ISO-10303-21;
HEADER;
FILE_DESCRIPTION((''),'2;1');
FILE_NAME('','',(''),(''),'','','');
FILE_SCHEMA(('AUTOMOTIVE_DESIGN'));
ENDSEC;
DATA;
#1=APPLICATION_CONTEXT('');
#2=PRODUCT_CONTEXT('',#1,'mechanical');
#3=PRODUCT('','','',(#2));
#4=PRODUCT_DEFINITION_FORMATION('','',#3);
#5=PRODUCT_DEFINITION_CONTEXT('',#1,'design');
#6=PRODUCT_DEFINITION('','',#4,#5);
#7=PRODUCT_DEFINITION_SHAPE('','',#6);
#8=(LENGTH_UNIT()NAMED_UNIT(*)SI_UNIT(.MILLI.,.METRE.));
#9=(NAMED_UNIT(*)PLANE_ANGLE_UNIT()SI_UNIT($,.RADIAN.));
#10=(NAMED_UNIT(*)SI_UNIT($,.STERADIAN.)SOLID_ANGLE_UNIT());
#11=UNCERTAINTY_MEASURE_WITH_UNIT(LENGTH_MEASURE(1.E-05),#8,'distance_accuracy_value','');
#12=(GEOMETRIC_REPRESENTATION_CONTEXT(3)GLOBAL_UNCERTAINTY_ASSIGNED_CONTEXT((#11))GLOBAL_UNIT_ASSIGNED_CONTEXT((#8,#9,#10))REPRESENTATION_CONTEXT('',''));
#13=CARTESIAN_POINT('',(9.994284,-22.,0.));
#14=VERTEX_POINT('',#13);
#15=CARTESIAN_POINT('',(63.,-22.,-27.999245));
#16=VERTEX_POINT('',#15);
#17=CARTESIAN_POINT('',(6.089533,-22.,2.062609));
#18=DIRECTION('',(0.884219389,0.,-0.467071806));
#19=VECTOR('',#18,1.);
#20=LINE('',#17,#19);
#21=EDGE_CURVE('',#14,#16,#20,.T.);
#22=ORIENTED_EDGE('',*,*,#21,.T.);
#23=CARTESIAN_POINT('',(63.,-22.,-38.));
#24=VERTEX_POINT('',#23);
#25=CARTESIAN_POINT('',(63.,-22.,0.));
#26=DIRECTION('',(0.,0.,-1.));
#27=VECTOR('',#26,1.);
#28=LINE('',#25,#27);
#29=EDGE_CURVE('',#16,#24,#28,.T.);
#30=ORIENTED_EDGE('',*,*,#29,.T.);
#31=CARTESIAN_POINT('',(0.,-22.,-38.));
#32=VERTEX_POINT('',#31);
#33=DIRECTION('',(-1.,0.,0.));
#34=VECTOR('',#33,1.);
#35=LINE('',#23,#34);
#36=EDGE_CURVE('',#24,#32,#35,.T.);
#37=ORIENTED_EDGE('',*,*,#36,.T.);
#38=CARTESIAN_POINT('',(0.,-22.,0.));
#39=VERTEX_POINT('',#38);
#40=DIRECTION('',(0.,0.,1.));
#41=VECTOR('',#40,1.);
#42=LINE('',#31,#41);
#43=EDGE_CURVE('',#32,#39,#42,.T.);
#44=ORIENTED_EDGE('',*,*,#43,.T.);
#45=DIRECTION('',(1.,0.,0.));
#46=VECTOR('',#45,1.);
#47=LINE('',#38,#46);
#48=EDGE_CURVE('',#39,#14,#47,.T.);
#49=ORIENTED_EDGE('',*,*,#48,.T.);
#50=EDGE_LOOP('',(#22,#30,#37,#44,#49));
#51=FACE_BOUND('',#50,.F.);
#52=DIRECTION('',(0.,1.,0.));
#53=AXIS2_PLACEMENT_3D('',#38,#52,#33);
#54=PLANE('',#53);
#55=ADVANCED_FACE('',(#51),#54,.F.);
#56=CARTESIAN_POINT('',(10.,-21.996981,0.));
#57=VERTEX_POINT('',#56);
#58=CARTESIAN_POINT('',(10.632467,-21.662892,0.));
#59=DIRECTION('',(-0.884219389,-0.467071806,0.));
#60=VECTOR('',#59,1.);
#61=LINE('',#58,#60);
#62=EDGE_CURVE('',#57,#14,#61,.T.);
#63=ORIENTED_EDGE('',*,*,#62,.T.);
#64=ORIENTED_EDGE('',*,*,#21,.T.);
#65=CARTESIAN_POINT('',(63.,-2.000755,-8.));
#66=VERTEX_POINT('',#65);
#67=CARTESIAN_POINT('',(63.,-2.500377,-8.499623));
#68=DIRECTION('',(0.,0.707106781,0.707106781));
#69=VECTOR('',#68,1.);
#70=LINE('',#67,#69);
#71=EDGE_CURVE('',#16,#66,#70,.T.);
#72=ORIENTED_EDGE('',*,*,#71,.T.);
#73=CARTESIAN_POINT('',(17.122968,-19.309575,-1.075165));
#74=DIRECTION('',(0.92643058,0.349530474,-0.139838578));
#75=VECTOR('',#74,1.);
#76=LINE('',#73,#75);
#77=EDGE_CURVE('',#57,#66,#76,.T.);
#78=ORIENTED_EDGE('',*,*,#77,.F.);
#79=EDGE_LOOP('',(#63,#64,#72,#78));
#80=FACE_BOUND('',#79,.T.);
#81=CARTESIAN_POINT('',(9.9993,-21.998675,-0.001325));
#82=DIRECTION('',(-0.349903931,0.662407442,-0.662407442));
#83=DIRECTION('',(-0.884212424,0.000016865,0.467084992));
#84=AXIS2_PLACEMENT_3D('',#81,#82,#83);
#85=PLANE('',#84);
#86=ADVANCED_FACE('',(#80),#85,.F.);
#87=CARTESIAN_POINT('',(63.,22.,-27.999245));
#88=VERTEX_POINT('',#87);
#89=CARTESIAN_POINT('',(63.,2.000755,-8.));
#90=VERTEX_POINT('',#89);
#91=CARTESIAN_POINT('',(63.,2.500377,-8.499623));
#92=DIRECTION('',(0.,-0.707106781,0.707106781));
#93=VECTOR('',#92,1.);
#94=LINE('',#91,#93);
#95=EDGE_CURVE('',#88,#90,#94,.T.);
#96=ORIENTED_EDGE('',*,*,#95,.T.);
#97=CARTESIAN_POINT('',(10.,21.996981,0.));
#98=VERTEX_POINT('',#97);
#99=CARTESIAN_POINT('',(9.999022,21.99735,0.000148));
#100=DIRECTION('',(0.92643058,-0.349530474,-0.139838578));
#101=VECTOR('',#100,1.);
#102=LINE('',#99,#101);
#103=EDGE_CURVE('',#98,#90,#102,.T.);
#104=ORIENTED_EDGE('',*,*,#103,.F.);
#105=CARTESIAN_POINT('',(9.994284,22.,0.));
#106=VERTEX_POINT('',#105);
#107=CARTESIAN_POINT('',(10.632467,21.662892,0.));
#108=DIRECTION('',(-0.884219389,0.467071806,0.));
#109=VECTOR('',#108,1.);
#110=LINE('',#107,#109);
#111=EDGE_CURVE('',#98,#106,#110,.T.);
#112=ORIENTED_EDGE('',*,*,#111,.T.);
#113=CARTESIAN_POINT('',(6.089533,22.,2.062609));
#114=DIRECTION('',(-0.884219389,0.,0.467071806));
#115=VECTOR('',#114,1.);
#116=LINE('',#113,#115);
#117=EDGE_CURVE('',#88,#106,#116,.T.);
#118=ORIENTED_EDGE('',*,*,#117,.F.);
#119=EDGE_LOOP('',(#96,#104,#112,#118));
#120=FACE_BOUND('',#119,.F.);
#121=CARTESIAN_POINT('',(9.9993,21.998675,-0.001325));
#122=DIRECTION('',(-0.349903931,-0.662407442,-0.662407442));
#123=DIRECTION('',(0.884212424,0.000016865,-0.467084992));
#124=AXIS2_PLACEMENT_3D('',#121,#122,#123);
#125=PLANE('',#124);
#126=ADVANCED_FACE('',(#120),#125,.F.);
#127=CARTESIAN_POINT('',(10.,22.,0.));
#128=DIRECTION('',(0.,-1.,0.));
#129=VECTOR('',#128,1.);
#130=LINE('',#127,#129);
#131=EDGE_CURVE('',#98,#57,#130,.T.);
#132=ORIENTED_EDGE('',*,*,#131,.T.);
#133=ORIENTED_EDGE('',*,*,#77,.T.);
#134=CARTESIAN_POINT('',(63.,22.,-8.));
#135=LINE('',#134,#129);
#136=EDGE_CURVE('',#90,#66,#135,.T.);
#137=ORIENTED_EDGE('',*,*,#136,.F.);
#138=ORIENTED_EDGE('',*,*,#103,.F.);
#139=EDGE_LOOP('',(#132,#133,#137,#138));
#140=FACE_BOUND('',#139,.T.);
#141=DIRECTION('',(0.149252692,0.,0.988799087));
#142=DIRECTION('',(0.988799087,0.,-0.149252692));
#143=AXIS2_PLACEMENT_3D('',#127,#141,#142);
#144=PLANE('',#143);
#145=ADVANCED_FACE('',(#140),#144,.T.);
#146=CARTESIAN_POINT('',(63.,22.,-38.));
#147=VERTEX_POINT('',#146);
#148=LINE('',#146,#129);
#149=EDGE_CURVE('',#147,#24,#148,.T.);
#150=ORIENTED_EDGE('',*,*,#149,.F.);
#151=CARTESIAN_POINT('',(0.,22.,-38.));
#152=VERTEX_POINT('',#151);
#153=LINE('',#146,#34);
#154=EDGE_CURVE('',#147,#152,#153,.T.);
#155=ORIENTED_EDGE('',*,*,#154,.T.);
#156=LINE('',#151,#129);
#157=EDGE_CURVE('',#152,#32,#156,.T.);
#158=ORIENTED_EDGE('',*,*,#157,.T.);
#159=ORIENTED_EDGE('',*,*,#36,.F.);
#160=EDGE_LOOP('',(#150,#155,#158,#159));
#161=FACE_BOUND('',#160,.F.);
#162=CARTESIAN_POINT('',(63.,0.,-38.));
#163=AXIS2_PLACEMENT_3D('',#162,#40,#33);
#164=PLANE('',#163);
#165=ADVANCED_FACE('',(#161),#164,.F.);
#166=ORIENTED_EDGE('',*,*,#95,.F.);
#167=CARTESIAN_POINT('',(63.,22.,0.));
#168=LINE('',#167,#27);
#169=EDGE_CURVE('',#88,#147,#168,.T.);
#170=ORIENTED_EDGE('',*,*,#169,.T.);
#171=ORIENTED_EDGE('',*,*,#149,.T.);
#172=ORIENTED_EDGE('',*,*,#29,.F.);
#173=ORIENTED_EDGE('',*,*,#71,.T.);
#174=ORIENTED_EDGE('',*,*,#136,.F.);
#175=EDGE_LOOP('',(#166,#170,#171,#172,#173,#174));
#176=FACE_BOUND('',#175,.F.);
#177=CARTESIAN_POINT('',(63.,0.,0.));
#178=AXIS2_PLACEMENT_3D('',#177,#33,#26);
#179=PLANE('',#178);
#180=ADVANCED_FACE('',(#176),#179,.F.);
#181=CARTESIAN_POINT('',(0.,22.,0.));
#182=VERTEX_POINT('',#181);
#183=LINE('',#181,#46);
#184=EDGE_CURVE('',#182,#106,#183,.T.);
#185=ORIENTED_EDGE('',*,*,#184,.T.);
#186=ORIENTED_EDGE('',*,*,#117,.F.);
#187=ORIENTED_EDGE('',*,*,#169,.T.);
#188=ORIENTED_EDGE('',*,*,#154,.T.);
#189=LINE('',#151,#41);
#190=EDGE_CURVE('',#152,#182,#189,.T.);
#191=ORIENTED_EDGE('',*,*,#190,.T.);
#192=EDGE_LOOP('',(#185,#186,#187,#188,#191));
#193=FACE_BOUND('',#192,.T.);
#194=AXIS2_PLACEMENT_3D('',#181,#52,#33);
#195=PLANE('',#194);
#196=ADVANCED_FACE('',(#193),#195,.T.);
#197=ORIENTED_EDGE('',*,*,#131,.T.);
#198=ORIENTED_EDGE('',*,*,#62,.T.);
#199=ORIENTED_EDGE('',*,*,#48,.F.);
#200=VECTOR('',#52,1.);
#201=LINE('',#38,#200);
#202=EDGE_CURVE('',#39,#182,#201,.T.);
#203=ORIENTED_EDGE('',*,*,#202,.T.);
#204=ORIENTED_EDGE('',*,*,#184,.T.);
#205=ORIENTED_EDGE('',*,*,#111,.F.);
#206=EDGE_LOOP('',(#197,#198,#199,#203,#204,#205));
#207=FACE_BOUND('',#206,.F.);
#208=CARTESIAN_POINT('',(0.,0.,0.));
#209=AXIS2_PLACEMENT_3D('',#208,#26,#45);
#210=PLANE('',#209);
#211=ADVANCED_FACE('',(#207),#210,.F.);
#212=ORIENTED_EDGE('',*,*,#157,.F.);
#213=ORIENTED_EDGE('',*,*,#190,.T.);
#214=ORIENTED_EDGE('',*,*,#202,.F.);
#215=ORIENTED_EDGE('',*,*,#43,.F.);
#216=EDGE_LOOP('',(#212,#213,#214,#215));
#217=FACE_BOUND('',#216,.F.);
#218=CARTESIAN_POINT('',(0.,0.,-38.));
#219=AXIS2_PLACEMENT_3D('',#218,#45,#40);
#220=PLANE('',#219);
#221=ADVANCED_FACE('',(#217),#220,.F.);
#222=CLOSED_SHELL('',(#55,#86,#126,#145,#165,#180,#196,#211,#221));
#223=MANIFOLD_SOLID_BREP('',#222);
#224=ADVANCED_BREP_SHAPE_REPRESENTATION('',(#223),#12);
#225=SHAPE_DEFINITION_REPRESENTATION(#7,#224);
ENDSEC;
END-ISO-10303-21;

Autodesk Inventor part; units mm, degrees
ref_plane "YZ Plane" through (0, 0, 0) normal (1, 0, 0) x (0, 1, 0)
ref_plane "XZ Plane" through (0, 0, 0) normal (0, 1, 0) x (-1, 0, 0)
sketch "草圖1" plane through (0, 0, 0) normal (0, 1, 0) x (-1, 0, 0)
  line L0 (0, 0) -> (-63, 0)
  line L1 (-63, 0) -> (-63, -38)
  line L2 (-63, -38) -> (0, -38)
  line L3 (0, -38) -> (0, 0)
  dimension "d0" = 63
  dimension "d1" = 38
extrude "擠出1" add sketch "草圖1" along normal mid plane 44
sketch "草圖2" plane through (0, 22, 0) normal (0, 1, 0) x (1, 0, 0)
  line L0 (0, 0) -> (63, 0) projected
  line L1 (10, 0) -> (63, 8)
  line L2 (63, 0) -> (63, 38) projected
  dimension "d4" = 10
  dimension "d5" = 30
extrude "擠出2" cut sketch "草圖2" against normal blind 60
sketch "草圖3" plane through (63, -22, -38) normal (1, 0, 0) x (0, 0, -1)
  line L0 (-30, 24) -> (-10, 44)
  line L1 (0, 44) -> (-38, 44) projected
  line L2 (-30, 44) -> (-30, 0) projected
  point P0 (-38, 22)
  point P1 (-30, 2)
  dimension "d8" = 20
  dimension "d9" = 20
ref_plane "工作平面1" through (10, 22, 0) normal (-0.3499, -0.6624, -0.6624) x (0.8842, 0, -0.4671)
sketch "草圖4" plane through (10, 22, 0) normal (-0.3499, -0.6624, -0.6624) x (0.8842, 0, -0.4671)
  line L0 (-15.1543, -12.3218) -> (93.717, -12.3218)
  line L1 (93.717, -12.3218) -> (93.717, 28.8166)
  line L2 (93.717, 28.8166) -> (-15.1543, 28.8166)
  line L3 (-15.1543, 28.8166) -> (-15.1543, -12.3218)
  point P0 (-8.8419, 13.3872)
extrude "擠出3" cut sketch "草圖4" against normal blind 40
mirror "鏡射1" about plane through (0, 0, 0) normal (0, 1, 0) of "擠出3"
properties part number "54"
